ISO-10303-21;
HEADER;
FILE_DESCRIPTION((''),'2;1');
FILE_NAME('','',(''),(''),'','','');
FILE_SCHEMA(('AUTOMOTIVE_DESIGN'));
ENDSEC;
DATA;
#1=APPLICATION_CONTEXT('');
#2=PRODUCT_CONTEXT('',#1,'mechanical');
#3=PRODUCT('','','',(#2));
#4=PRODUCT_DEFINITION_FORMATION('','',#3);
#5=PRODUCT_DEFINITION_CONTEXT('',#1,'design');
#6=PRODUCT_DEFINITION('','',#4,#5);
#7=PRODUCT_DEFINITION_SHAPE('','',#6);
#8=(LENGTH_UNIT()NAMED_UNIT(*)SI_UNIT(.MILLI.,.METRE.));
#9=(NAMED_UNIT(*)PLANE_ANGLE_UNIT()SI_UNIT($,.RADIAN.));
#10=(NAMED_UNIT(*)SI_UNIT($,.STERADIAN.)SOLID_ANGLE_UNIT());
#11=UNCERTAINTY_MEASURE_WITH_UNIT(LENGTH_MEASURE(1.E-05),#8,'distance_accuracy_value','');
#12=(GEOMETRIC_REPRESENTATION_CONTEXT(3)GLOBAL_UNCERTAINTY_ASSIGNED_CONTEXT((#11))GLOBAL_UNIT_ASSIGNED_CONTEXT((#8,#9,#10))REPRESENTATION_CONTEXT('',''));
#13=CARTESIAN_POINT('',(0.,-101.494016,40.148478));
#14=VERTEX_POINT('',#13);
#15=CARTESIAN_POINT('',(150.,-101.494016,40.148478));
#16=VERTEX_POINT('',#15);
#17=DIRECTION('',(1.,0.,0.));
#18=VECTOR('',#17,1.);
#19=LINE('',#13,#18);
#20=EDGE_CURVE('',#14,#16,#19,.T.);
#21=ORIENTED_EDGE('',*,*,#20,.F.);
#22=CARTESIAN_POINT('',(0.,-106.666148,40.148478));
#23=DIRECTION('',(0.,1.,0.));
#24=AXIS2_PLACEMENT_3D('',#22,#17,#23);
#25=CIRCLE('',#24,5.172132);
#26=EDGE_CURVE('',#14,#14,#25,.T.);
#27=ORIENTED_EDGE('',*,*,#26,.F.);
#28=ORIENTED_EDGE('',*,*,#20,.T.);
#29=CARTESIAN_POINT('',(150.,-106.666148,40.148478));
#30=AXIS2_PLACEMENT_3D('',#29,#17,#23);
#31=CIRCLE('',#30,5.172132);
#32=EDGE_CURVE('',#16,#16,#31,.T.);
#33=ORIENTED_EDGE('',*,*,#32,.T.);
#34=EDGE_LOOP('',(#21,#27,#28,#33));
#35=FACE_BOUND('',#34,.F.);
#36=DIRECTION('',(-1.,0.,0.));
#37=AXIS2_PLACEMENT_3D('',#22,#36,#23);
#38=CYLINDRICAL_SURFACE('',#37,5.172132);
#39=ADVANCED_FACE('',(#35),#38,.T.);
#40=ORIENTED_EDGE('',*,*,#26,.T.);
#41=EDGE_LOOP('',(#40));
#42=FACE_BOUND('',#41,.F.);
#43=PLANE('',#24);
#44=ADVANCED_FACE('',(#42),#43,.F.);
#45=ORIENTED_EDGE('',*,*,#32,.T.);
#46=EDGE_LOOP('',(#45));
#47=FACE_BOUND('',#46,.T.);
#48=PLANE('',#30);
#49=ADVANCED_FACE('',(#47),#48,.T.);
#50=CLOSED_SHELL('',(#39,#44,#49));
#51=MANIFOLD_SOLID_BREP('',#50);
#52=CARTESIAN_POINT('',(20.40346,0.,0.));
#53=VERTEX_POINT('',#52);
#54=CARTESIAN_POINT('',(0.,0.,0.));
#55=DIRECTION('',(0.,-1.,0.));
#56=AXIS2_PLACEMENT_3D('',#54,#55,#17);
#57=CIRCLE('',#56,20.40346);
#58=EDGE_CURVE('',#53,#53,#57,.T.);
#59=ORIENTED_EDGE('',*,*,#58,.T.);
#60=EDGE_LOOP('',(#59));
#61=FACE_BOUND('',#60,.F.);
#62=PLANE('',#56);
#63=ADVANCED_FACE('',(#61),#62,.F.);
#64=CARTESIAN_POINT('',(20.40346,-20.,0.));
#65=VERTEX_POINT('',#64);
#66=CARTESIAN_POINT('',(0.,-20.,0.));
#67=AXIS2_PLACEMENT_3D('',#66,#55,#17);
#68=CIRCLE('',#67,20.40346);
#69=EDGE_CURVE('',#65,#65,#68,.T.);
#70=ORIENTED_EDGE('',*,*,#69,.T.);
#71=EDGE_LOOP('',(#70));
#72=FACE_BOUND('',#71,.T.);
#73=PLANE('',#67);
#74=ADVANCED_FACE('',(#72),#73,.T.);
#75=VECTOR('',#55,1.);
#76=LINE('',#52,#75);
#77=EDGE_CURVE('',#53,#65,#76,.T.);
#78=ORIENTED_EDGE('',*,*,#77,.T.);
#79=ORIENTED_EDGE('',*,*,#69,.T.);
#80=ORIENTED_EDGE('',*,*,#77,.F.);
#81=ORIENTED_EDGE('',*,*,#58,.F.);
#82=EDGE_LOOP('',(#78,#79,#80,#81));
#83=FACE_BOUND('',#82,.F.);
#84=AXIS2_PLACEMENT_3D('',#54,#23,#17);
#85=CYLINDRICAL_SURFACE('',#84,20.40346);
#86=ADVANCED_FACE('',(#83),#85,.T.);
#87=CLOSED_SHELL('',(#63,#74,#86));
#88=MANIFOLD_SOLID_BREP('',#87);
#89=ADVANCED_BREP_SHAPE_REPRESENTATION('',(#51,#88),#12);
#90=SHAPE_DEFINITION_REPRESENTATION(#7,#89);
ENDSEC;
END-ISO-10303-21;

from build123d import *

# Parameters (mm, degrees)
F0_R     = 20.40346
F1_DEPTH = 20
F2_R     = 5.172132
F3_DEPTH = 150


with BuildPart() as f1:
    # F0 (on Front) → F1 (new body)
    with BuildSketch(Plane.XZ):
        Circle(F0_R)
    extrude(amount=F1_DEPTH)


with BuildPart() as f3:
    # F2 (on Right) → F3 (new body)
    with BuildSketch(Plane.YZ):
        with Locations((-106.666148, 40.148478)):
            Circle(F2_R)
    extrude(amount=F3_DEPTH)


solid = Compound([f1.part, f3.part])
